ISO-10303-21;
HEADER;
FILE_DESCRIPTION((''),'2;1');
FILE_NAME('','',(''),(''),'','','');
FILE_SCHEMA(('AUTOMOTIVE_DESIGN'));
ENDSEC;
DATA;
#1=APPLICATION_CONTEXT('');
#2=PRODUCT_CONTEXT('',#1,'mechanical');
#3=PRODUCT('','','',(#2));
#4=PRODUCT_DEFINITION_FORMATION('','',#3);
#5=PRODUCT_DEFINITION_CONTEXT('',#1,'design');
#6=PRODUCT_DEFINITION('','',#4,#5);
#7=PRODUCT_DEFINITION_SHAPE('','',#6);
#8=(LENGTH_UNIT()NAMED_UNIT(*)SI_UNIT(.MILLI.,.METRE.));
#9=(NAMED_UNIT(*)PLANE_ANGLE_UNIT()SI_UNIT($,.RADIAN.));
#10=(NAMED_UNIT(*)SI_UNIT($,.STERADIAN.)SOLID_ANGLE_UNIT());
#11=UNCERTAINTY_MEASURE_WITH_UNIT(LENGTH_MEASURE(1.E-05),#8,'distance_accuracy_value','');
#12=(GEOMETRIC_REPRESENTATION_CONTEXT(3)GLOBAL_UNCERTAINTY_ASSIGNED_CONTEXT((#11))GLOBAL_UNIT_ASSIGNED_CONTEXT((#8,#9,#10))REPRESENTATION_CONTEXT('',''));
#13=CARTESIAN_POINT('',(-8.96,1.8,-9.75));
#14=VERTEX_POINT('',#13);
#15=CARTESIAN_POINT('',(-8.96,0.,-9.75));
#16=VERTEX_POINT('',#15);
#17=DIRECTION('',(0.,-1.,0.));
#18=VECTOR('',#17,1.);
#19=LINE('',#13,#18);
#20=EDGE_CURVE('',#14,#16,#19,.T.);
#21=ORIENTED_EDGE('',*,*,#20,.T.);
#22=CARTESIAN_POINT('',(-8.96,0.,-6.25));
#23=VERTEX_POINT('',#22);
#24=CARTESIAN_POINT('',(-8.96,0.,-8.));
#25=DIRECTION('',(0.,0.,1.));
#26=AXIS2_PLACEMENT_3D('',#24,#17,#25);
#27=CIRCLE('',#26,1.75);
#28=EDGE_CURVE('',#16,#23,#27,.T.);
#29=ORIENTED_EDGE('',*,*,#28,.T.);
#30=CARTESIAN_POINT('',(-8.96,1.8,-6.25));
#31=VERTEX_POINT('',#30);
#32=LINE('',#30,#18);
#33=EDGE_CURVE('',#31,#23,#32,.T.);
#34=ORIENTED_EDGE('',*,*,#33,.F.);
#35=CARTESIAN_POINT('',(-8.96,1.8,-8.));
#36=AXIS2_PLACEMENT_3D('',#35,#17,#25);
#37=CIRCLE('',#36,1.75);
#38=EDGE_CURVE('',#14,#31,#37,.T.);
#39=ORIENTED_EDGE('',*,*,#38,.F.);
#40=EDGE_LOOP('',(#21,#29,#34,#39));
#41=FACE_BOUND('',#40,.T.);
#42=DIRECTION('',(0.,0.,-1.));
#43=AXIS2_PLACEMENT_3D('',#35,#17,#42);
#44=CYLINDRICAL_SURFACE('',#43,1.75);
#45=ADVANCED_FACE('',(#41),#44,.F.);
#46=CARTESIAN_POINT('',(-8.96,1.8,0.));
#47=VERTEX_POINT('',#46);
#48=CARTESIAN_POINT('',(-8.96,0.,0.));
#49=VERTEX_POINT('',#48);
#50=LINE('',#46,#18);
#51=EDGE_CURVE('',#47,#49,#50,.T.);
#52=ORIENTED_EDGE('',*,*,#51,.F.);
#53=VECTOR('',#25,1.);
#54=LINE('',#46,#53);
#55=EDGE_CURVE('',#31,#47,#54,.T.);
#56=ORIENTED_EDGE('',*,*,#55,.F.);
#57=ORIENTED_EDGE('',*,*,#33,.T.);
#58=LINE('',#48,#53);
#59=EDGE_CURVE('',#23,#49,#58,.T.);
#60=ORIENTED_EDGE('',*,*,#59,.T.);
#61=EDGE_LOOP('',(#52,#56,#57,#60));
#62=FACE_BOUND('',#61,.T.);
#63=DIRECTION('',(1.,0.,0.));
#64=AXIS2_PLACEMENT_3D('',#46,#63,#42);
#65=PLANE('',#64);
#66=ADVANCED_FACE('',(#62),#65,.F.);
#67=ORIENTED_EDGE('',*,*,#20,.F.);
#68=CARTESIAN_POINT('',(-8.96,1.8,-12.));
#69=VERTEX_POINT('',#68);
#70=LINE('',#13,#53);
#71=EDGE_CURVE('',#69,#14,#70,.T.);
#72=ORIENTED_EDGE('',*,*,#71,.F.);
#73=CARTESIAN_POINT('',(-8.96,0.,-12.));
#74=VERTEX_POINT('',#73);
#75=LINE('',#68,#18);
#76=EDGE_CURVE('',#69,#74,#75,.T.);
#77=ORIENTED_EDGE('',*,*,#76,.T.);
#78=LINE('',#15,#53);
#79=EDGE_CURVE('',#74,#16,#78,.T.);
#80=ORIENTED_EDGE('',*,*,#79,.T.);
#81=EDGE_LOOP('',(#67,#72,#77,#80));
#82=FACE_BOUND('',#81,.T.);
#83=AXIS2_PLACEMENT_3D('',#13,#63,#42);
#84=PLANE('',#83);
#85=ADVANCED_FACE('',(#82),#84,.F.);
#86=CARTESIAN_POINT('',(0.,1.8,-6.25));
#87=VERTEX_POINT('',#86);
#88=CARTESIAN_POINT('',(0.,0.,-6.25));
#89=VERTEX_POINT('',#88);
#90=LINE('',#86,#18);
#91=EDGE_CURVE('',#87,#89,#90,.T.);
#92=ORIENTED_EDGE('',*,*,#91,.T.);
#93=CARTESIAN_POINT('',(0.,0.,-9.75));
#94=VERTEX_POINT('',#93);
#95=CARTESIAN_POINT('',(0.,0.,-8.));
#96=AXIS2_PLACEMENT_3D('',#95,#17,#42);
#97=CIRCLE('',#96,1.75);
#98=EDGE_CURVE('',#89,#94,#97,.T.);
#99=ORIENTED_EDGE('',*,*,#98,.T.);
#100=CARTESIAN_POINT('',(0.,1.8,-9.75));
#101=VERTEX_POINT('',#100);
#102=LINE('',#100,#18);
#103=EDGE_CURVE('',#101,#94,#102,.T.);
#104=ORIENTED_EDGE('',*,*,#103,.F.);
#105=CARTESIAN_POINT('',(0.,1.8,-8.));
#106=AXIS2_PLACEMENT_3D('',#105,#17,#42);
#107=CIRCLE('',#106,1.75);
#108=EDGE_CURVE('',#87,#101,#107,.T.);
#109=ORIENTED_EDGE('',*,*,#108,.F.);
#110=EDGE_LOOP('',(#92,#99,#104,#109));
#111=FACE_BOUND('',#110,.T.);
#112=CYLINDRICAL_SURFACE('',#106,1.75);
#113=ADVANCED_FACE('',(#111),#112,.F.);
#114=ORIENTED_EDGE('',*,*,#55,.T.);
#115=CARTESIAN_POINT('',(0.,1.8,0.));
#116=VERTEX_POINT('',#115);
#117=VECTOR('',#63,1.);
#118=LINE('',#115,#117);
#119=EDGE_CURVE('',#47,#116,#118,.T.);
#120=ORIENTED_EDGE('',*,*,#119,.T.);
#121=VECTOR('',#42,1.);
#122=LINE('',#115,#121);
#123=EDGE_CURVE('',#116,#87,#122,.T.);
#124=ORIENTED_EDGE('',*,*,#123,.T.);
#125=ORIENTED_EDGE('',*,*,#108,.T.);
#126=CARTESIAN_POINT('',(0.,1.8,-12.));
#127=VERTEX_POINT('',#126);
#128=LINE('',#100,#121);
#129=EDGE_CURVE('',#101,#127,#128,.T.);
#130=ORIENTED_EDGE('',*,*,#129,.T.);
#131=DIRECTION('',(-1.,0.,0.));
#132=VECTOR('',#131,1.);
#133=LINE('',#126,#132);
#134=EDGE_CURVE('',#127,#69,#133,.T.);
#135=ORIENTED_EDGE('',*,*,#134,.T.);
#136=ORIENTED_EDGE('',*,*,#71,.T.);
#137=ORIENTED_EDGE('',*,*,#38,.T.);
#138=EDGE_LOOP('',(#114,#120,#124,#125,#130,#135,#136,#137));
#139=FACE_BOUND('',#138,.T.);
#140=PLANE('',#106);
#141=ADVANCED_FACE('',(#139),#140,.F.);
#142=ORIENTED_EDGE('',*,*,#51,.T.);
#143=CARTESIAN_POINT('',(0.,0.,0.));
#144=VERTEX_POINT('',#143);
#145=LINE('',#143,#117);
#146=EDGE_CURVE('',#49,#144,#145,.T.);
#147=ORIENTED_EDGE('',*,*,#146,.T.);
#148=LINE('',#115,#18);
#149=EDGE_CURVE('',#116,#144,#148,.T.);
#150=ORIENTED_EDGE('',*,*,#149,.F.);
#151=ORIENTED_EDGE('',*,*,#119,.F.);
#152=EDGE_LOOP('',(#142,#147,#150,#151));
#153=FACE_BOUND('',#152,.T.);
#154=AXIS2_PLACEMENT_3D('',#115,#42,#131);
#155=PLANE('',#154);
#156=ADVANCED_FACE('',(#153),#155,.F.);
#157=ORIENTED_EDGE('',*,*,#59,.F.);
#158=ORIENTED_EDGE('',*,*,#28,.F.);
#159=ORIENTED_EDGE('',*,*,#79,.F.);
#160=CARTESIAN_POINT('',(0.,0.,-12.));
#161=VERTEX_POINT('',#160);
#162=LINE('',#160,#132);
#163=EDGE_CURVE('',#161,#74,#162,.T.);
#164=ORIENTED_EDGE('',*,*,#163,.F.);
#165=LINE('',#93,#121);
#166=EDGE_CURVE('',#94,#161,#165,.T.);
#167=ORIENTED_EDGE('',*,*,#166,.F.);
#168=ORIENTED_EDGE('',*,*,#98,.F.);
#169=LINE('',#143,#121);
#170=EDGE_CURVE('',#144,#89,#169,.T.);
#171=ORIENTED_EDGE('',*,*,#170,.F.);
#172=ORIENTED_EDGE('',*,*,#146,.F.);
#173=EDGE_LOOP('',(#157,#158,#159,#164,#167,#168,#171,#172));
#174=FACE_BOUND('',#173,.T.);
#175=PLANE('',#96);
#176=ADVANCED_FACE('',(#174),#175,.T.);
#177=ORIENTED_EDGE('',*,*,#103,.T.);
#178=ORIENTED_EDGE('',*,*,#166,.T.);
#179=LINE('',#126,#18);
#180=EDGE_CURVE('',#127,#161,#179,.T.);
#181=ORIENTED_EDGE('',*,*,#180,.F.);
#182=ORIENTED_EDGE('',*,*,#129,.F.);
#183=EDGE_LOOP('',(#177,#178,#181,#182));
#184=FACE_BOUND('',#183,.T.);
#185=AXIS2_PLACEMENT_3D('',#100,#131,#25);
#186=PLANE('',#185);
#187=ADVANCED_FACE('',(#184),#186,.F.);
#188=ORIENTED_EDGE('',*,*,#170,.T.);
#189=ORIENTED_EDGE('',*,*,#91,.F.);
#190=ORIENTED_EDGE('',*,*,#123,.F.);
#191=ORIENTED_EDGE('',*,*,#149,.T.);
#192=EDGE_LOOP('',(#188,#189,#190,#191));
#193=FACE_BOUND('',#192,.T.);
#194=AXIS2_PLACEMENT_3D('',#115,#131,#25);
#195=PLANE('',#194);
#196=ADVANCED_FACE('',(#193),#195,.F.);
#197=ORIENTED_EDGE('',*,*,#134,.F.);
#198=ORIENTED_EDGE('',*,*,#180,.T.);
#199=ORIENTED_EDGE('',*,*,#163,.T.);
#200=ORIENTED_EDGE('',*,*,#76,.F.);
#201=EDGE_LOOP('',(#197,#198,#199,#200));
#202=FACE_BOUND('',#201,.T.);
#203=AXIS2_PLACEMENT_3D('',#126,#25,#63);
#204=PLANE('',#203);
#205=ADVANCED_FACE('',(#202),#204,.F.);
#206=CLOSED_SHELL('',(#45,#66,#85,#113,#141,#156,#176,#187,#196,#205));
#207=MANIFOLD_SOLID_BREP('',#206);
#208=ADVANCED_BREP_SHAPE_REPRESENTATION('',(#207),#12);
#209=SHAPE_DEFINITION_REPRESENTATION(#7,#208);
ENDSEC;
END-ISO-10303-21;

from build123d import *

# Parameters (mm, degrees)
SALIENTE_EXTRUIR1_DEPTH = 1.8


with BuildPart() as part:
    # Croquis1 → Saliente-Extruir1 (new body)
    with BuildSketch(Plane(origin=(0, 0, 0), x_dir=(1, 0, 0), z_dir=(0, 1, 0))):
        with BuildLine():
            Line((0, 0), (-8.96, 0))
            Line((-8.96, 0), (-8.96, 6.25))
            ThreePointArc((-8.96, 6.25), (-7.21, 8), (-8.96, 9.75))
            Line((-8.96, 9.75), (-8.96, 12))
            Line((-8.96, 12), (0, 12))
            Line((0, 12), (0, 9.75))
            ThreePointArc((0, 9.75), (-1.75, 8), (0, 6.25))
            Line((0, 6.25), (0, 0))
        make_face()
    extrude(amount=SALIENTE_EXTRUIR1_DEPTH)


solid = part.part
